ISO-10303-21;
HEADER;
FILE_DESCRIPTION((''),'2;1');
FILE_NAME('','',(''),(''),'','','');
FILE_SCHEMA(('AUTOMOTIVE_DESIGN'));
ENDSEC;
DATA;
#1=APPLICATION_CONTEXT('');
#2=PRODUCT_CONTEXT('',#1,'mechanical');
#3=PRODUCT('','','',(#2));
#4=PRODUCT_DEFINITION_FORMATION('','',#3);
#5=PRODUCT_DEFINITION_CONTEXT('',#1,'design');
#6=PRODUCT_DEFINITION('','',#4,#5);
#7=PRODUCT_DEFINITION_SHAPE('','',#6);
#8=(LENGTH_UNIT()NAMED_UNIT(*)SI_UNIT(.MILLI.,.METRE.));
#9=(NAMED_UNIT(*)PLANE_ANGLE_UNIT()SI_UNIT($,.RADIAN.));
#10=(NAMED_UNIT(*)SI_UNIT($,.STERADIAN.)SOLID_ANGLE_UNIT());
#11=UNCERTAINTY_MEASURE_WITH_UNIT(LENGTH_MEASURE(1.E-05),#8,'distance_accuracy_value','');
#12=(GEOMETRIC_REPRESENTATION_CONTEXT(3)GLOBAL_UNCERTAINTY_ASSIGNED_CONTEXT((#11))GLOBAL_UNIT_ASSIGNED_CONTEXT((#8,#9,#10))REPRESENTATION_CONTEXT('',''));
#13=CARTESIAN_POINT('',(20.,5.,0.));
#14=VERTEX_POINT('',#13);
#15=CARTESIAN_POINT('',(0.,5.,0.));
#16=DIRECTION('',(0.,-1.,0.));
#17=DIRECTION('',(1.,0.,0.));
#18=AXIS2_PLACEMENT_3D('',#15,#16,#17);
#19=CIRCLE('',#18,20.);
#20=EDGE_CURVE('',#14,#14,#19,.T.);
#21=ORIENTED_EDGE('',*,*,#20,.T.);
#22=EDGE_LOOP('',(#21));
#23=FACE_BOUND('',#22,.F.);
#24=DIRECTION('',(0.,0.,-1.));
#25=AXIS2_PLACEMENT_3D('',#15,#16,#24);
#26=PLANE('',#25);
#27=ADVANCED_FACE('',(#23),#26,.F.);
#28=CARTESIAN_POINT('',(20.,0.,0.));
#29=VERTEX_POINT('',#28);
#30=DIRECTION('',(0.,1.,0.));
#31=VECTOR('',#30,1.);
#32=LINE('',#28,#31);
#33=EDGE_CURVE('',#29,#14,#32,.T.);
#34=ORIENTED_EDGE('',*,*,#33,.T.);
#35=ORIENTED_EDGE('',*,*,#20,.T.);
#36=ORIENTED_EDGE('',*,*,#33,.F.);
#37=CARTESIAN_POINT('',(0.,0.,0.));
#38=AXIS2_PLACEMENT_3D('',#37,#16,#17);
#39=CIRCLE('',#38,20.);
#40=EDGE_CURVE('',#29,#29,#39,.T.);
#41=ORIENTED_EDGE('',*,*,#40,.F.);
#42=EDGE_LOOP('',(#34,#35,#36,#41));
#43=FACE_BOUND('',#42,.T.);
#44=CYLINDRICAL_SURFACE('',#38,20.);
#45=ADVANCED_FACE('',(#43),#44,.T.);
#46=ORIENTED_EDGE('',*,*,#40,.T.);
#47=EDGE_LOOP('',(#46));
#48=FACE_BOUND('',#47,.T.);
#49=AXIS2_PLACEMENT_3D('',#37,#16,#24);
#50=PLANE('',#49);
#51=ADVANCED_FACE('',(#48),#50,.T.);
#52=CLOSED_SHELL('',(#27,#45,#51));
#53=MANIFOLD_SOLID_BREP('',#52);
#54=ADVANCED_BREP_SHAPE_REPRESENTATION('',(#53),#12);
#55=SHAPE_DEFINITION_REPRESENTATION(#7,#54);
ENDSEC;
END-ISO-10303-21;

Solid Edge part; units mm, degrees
sketch "Sketch1" plane through (0, 0, 0) normal (0, -1, 0) x (1, 0, 0)
  circle A0 centre (0, 0) radius 20
  dimension "D1" = 40
extrude "Protrusion1" add sketch "Sketch1" against normal blind 5
